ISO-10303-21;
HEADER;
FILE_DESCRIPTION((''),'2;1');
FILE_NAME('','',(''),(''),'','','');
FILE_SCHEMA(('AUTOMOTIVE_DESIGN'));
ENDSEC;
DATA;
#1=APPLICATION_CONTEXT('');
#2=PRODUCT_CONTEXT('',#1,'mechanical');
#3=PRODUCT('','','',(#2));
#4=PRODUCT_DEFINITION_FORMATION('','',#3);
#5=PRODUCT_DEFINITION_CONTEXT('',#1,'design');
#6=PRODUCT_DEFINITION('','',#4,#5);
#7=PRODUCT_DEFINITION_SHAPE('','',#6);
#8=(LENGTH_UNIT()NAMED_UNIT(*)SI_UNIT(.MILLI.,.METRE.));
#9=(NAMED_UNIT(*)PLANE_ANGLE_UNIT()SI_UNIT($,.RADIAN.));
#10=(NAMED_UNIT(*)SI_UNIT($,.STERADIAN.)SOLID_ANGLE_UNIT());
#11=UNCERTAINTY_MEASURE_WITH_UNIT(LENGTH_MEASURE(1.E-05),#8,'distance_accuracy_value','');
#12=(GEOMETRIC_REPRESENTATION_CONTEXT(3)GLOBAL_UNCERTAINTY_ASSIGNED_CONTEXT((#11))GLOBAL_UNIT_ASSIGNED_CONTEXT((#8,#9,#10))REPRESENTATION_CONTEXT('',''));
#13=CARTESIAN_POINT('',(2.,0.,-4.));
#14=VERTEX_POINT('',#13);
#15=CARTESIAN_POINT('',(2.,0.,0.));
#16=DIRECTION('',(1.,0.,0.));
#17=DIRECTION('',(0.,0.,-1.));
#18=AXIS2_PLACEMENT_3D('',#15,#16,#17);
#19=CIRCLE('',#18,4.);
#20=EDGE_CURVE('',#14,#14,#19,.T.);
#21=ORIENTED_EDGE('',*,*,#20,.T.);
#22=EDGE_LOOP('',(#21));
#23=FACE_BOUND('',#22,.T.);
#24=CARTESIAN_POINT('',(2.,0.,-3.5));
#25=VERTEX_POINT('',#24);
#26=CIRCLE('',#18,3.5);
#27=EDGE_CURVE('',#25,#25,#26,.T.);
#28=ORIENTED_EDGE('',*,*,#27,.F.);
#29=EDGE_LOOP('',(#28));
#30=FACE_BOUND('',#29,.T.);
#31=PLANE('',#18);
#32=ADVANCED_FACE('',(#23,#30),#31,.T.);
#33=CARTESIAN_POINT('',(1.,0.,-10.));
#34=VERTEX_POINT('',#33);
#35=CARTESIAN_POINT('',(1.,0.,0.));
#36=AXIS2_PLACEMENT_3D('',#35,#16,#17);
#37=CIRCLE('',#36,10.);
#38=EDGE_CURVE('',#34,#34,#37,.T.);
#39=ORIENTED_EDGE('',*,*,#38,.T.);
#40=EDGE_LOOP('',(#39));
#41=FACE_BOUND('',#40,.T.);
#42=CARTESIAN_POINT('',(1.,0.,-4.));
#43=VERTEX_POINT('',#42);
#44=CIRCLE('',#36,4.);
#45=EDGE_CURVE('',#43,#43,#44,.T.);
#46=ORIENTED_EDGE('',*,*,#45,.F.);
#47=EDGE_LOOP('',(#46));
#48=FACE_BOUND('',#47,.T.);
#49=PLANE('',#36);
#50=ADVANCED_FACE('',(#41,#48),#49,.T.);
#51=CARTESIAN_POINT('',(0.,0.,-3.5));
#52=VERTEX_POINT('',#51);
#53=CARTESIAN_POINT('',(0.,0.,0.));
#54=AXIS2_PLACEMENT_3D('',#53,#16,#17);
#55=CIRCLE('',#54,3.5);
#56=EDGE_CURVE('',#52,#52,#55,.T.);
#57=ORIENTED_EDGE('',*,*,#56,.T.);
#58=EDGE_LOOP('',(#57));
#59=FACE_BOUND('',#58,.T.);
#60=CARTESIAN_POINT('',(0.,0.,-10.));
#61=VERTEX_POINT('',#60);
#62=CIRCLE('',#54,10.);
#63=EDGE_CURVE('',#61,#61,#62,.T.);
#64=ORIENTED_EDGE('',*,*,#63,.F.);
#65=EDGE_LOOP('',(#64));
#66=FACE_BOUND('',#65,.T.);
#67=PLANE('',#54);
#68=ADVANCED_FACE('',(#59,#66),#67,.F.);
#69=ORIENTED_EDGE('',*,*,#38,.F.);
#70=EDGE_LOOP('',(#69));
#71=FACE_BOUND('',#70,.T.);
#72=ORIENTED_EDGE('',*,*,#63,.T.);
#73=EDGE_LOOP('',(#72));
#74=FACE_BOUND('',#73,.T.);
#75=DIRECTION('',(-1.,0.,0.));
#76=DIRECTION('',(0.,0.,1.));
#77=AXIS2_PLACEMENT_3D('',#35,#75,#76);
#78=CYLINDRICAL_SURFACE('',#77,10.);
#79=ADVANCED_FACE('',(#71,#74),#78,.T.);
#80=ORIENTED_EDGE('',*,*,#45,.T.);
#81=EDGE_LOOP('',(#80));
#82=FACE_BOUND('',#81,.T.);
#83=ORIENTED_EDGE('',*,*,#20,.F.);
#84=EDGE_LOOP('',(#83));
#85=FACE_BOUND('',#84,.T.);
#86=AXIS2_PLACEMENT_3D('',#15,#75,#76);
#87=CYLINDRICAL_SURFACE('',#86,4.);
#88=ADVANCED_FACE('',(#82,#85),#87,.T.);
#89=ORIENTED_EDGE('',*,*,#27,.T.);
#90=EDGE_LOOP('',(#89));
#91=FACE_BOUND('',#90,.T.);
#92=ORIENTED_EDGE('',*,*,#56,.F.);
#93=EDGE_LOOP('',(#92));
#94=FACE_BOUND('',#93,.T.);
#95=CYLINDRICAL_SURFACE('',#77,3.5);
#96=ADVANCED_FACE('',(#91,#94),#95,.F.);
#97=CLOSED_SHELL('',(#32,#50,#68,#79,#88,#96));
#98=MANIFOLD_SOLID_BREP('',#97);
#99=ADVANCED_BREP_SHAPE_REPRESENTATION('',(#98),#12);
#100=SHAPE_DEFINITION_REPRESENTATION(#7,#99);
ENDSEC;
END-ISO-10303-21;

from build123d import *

# Parameters (mm, degrees)
SKETCH1_R           = 10
SKETCH1_R_2         = 3.5
BOSS_EXTRUDE1_DEPTH = 1
SKETCH2_R           = 4
SKETCH2_R_2         = 3.5
BOSS_EXTRUDE2_DEPTH = 1


with BuildPart() as part:
    # Sketch1 → Boss-Extrude1 (new body)
    with BuildSketch(Plane(origin=(0, 0, 0), x_dir=(0, 0, -1), z_dir=(1, 0, 0))):
        Circle(SKETCH1_R)
        Circle(SKETCH1_R_2, mode=Mode.SUBTRACT)
    extrude(amount=BOSS_EXTRUDE1_DEPTH)

    # Sketch2 → Boss-Extrude2 (add)
    with BuildSketch(Plane(origin=(1, 0, 0), x_dir=(0, 0, -1), z_dir=(1, 0, 0))):
        Circle(SKETCH2_R)
        Circle(SKETCH2_R_2, mode=Mode.SUBTRACT)
    extrude(amount=BOSS_EXTRUDE2_DEPTH)


solid = part.part
